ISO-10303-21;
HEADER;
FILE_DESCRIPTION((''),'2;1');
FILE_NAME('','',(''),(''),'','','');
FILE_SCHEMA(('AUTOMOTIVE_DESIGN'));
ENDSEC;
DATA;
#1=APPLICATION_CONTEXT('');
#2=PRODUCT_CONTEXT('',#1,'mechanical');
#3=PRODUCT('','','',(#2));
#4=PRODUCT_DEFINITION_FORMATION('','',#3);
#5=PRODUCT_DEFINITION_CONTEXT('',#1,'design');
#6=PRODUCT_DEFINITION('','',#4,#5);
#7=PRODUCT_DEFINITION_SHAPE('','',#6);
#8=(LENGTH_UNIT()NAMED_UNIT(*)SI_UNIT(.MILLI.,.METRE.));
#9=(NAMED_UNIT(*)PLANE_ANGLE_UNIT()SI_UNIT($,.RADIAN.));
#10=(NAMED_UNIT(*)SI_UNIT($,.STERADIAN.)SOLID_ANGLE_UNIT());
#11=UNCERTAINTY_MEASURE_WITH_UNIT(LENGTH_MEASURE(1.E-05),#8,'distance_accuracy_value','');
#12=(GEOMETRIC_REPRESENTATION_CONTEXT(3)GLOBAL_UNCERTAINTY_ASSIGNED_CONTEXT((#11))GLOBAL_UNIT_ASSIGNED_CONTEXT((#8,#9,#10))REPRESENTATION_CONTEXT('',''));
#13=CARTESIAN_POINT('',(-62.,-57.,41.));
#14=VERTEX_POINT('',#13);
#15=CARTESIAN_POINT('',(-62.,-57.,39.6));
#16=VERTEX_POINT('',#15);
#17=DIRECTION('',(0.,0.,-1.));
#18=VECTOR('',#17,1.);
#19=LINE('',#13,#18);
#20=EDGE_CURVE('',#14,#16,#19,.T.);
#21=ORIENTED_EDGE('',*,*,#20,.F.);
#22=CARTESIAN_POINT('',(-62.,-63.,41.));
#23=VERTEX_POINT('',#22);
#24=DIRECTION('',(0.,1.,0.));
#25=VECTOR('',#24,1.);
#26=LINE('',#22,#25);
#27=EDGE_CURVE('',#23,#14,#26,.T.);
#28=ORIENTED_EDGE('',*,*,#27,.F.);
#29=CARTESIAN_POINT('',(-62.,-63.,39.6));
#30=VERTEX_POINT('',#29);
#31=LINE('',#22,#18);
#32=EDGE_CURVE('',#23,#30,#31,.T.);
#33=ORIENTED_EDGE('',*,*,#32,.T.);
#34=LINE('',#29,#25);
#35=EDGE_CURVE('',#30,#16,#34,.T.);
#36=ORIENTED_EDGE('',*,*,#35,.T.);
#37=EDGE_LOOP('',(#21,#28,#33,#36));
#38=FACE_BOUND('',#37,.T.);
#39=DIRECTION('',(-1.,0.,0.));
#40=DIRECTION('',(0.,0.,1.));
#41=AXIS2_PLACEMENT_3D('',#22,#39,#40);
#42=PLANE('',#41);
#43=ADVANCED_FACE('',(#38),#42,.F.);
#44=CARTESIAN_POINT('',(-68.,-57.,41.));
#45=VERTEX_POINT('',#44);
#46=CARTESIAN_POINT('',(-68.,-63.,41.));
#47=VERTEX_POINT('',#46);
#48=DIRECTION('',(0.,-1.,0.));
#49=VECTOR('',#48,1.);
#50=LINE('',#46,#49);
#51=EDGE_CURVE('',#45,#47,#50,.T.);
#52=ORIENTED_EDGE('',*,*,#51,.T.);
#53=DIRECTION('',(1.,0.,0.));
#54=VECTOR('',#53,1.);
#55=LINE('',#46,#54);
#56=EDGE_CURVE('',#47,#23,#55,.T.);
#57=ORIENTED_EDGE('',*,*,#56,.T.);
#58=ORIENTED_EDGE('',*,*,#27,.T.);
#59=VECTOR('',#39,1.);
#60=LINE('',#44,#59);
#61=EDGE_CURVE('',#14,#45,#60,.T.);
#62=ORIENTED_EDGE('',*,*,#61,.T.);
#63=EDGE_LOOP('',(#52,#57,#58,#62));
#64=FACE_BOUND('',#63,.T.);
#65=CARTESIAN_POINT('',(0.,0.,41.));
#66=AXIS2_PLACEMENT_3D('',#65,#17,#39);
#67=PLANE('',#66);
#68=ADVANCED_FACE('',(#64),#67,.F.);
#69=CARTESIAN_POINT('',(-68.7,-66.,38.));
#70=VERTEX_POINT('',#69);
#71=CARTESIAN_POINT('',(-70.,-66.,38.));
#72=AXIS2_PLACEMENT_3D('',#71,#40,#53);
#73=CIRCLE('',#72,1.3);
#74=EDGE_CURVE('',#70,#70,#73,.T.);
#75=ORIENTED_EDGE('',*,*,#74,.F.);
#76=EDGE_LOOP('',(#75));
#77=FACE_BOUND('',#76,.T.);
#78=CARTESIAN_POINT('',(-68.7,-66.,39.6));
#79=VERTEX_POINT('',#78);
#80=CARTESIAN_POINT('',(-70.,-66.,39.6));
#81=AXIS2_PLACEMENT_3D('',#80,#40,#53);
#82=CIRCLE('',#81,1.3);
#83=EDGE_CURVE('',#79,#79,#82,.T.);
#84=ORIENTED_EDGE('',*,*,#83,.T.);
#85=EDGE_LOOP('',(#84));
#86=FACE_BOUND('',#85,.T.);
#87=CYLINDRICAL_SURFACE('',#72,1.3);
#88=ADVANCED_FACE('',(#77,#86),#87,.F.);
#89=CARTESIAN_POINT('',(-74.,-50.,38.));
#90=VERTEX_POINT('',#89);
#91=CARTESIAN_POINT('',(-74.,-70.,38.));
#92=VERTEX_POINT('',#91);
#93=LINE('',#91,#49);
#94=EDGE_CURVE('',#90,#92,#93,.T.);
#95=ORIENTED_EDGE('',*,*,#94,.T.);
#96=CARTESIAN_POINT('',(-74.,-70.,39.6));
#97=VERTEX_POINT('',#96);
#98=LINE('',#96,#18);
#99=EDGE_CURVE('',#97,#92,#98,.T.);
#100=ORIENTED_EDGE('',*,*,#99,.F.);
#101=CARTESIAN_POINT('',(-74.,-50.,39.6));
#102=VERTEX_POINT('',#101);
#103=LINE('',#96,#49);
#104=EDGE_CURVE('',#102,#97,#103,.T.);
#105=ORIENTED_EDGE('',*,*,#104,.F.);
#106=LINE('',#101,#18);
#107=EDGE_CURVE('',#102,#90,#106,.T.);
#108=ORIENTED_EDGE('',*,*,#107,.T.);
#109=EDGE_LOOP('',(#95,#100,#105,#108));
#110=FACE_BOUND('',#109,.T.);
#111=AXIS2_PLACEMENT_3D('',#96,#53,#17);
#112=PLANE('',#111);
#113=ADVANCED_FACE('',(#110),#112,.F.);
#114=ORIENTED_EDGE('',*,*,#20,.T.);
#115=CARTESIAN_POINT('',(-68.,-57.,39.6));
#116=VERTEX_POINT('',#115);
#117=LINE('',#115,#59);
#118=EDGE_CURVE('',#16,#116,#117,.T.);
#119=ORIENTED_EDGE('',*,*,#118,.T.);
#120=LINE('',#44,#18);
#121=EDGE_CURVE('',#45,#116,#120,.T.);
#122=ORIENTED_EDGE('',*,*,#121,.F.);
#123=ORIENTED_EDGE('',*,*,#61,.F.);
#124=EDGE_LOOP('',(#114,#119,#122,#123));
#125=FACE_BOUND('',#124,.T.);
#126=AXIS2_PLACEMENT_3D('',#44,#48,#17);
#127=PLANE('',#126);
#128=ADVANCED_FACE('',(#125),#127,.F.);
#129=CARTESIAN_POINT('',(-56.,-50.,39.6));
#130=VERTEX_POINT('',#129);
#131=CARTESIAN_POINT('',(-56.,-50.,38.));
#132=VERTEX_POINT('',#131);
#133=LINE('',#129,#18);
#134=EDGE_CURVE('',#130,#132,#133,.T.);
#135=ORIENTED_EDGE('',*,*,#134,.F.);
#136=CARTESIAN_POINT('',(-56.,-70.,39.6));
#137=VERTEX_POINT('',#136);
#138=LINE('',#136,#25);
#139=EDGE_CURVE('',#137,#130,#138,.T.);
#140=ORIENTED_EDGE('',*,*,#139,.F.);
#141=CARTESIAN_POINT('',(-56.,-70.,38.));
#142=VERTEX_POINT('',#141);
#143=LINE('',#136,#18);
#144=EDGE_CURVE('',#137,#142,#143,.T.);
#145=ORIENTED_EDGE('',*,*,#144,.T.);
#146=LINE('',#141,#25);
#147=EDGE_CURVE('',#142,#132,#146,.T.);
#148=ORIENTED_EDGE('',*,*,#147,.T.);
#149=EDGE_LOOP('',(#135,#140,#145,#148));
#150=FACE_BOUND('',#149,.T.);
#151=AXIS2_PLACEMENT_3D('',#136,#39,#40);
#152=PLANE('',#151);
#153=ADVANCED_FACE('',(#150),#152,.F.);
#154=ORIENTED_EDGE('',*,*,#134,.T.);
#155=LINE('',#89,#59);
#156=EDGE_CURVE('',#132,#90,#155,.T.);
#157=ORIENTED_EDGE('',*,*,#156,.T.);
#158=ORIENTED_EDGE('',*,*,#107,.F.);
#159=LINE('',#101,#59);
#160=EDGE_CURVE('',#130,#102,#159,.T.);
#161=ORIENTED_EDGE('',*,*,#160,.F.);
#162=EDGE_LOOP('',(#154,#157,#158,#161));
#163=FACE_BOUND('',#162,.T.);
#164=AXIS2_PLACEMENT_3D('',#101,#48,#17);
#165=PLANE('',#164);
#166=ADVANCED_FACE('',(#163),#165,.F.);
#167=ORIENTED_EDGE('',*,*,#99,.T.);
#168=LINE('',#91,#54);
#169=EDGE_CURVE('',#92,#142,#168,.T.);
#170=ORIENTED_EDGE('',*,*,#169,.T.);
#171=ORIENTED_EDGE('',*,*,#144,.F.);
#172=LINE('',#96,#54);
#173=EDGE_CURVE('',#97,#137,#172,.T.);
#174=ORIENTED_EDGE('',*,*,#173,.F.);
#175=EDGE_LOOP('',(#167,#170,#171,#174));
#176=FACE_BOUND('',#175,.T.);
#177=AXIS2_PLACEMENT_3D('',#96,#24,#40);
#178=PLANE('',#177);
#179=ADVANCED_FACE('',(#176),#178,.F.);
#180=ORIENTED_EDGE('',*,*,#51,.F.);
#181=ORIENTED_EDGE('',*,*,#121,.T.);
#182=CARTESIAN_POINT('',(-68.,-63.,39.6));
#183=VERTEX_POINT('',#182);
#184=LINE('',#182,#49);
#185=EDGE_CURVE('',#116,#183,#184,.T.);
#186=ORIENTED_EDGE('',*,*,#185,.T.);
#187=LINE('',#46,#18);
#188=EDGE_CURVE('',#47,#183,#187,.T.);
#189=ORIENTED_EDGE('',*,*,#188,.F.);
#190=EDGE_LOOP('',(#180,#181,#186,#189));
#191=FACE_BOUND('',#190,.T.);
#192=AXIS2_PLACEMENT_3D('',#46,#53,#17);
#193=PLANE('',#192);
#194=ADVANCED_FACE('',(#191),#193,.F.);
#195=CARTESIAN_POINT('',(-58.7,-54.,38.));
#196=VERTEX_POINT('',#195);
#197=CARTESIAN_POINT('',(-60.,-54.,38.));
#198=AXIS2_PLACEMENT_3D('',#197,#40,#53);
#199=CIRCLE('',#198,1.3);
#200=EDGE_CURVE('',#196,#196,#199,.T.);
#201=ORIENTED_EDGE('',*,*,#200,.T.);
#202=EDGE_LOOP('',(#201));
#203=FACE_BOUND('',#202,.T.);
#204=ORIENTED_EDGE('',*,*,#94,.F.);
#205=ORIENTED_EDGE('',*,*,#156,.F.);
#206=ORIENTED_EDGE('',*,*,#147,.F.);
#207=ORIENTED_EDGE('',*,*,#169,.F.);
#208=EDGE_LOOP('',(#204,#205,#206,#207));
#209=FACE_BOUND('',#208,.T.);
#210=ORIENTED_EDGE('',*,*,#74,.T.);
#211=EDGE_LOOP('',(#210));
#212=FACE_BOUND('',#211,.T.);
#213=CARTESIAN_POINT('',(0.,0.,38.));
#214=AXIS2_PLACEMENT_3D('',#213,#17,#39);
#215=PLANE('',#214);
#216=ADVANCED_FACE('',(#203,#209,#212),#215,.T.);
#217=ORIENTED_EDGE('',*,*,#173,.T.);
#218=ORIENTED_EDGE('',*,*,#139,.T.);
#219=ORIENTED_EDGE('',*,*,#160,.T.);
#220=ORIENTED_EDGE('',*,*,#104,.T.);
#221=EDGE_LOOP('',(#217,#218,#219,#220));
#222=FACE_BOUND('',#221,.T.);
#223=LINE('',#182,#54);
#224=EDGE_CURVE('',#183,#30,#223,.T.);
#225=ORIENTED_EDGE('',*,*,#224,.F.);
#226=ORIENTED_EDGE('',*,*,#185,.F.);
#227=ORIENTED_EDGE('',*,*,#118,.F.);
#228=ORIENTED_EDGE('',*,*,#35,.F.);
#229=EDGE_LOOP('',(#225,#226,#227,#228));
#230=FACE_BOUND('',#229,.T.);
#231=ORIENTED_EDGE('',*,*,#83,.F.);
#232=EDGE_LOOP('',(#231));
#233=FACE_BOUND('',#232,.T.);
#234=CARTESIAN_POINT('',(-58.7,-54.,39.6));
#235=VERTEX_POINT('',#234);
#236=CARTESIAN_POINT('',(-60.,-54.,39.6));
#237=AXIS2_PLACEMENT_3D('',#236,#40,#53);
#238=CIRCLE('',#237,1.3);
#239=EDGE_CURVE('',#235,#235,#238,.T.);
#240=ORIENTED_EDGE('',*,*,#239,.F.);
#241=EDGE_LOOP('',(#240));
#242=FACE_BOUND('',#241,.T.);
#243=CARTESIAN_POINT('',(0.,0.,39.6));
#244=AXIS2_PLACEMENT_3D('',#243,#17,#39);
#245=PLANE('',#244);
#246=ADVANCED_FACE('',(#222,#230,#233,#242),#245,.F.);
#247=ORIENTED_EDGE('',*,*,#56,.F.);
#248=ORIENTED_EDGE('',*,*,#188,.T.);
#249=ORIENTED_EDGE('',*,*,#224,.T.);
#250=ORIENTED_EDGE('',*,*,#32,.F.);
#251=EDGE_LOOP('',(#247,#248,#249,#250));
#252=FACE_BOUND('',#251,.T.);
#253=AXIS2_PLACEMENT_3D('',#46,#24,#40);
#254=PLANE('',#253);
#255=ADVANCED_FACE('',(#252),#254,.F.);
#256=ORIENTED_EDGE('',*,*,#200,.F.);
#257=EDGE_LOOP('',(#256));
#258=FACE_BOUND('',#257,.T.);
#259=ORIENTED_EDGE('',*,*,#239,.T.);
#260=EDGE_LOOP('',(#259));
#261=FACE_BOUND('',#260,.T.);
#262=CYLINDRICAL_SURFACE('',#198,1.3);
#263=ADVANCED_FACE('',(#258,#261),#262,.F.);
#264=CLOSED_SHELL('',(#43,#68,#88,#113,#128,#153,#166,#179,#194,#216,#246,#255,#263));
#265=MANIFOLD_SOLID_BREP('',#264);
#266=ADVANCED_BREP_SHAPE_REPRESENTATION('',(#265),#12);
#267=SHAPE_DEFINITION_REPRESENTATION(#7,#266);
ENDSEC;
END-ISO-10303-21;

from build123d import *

# Parameters (mm, degrees)
V10_IMU_CANDIDATE18X20_START           = 38
SKETCH_2_W                             = 18
SKETCH_2_H                             = 20
V10_IMU_CANDIDATE18X20_DEPTH           = 1.6
V10_IMU_PACKAGE_START                  = 39.6
SKETCH_3_W                             = 6
SKETCH_3_H                             = 6
V10_IMU_PACKAGE_DEPTH                  = 1.4
SKETCH_4_R                             = 1.3
V10_IMU_DIAGONAL_CANDIDATE_HOLES_DEPTH = 1.6


with BuildPart() as part:
    # 草图2 → V10_IMU_candidate18x20 (new body)
    with BuildSketch(Plane.XY.offset(V10_IMU_CANDIDATE18X20_START)):
        with Locations((-65, -60)):
            Rectangle(SKETCH_2_W, SKETCH_2_H)
    extrude(amount=V10_IMU_CANDIDATE18X20_DEPTH)

    # 草图3 → V10_IMU_package (add)
    with BuildSketch(Plane.XY.offset(V10_IMU_PACKAGE_START)):
        with Locations((-65, -60)):
            Rectangle(SKETCH_3_W, SKETCH_3_H)
    extrude(amount=V10_IMU_PACKAGE_DEPTH)

    # 草图4 → V10_IMU_diagonal_candidate_holes (cut)
    with BuildSketch(Plane.XY.offset(39.6)):
        with Locations((-70, -66)):
            Circle(SKETCH_4_R)
        with Locations((-60, -54)):
            Circle(SKETCH_4_R)
    extrude(amount=-V10_IMU_DIAGONAL_CANDIDATE_HOLES_DEPTH, mode=Mode.SUBTRACT)


solid = part.part
